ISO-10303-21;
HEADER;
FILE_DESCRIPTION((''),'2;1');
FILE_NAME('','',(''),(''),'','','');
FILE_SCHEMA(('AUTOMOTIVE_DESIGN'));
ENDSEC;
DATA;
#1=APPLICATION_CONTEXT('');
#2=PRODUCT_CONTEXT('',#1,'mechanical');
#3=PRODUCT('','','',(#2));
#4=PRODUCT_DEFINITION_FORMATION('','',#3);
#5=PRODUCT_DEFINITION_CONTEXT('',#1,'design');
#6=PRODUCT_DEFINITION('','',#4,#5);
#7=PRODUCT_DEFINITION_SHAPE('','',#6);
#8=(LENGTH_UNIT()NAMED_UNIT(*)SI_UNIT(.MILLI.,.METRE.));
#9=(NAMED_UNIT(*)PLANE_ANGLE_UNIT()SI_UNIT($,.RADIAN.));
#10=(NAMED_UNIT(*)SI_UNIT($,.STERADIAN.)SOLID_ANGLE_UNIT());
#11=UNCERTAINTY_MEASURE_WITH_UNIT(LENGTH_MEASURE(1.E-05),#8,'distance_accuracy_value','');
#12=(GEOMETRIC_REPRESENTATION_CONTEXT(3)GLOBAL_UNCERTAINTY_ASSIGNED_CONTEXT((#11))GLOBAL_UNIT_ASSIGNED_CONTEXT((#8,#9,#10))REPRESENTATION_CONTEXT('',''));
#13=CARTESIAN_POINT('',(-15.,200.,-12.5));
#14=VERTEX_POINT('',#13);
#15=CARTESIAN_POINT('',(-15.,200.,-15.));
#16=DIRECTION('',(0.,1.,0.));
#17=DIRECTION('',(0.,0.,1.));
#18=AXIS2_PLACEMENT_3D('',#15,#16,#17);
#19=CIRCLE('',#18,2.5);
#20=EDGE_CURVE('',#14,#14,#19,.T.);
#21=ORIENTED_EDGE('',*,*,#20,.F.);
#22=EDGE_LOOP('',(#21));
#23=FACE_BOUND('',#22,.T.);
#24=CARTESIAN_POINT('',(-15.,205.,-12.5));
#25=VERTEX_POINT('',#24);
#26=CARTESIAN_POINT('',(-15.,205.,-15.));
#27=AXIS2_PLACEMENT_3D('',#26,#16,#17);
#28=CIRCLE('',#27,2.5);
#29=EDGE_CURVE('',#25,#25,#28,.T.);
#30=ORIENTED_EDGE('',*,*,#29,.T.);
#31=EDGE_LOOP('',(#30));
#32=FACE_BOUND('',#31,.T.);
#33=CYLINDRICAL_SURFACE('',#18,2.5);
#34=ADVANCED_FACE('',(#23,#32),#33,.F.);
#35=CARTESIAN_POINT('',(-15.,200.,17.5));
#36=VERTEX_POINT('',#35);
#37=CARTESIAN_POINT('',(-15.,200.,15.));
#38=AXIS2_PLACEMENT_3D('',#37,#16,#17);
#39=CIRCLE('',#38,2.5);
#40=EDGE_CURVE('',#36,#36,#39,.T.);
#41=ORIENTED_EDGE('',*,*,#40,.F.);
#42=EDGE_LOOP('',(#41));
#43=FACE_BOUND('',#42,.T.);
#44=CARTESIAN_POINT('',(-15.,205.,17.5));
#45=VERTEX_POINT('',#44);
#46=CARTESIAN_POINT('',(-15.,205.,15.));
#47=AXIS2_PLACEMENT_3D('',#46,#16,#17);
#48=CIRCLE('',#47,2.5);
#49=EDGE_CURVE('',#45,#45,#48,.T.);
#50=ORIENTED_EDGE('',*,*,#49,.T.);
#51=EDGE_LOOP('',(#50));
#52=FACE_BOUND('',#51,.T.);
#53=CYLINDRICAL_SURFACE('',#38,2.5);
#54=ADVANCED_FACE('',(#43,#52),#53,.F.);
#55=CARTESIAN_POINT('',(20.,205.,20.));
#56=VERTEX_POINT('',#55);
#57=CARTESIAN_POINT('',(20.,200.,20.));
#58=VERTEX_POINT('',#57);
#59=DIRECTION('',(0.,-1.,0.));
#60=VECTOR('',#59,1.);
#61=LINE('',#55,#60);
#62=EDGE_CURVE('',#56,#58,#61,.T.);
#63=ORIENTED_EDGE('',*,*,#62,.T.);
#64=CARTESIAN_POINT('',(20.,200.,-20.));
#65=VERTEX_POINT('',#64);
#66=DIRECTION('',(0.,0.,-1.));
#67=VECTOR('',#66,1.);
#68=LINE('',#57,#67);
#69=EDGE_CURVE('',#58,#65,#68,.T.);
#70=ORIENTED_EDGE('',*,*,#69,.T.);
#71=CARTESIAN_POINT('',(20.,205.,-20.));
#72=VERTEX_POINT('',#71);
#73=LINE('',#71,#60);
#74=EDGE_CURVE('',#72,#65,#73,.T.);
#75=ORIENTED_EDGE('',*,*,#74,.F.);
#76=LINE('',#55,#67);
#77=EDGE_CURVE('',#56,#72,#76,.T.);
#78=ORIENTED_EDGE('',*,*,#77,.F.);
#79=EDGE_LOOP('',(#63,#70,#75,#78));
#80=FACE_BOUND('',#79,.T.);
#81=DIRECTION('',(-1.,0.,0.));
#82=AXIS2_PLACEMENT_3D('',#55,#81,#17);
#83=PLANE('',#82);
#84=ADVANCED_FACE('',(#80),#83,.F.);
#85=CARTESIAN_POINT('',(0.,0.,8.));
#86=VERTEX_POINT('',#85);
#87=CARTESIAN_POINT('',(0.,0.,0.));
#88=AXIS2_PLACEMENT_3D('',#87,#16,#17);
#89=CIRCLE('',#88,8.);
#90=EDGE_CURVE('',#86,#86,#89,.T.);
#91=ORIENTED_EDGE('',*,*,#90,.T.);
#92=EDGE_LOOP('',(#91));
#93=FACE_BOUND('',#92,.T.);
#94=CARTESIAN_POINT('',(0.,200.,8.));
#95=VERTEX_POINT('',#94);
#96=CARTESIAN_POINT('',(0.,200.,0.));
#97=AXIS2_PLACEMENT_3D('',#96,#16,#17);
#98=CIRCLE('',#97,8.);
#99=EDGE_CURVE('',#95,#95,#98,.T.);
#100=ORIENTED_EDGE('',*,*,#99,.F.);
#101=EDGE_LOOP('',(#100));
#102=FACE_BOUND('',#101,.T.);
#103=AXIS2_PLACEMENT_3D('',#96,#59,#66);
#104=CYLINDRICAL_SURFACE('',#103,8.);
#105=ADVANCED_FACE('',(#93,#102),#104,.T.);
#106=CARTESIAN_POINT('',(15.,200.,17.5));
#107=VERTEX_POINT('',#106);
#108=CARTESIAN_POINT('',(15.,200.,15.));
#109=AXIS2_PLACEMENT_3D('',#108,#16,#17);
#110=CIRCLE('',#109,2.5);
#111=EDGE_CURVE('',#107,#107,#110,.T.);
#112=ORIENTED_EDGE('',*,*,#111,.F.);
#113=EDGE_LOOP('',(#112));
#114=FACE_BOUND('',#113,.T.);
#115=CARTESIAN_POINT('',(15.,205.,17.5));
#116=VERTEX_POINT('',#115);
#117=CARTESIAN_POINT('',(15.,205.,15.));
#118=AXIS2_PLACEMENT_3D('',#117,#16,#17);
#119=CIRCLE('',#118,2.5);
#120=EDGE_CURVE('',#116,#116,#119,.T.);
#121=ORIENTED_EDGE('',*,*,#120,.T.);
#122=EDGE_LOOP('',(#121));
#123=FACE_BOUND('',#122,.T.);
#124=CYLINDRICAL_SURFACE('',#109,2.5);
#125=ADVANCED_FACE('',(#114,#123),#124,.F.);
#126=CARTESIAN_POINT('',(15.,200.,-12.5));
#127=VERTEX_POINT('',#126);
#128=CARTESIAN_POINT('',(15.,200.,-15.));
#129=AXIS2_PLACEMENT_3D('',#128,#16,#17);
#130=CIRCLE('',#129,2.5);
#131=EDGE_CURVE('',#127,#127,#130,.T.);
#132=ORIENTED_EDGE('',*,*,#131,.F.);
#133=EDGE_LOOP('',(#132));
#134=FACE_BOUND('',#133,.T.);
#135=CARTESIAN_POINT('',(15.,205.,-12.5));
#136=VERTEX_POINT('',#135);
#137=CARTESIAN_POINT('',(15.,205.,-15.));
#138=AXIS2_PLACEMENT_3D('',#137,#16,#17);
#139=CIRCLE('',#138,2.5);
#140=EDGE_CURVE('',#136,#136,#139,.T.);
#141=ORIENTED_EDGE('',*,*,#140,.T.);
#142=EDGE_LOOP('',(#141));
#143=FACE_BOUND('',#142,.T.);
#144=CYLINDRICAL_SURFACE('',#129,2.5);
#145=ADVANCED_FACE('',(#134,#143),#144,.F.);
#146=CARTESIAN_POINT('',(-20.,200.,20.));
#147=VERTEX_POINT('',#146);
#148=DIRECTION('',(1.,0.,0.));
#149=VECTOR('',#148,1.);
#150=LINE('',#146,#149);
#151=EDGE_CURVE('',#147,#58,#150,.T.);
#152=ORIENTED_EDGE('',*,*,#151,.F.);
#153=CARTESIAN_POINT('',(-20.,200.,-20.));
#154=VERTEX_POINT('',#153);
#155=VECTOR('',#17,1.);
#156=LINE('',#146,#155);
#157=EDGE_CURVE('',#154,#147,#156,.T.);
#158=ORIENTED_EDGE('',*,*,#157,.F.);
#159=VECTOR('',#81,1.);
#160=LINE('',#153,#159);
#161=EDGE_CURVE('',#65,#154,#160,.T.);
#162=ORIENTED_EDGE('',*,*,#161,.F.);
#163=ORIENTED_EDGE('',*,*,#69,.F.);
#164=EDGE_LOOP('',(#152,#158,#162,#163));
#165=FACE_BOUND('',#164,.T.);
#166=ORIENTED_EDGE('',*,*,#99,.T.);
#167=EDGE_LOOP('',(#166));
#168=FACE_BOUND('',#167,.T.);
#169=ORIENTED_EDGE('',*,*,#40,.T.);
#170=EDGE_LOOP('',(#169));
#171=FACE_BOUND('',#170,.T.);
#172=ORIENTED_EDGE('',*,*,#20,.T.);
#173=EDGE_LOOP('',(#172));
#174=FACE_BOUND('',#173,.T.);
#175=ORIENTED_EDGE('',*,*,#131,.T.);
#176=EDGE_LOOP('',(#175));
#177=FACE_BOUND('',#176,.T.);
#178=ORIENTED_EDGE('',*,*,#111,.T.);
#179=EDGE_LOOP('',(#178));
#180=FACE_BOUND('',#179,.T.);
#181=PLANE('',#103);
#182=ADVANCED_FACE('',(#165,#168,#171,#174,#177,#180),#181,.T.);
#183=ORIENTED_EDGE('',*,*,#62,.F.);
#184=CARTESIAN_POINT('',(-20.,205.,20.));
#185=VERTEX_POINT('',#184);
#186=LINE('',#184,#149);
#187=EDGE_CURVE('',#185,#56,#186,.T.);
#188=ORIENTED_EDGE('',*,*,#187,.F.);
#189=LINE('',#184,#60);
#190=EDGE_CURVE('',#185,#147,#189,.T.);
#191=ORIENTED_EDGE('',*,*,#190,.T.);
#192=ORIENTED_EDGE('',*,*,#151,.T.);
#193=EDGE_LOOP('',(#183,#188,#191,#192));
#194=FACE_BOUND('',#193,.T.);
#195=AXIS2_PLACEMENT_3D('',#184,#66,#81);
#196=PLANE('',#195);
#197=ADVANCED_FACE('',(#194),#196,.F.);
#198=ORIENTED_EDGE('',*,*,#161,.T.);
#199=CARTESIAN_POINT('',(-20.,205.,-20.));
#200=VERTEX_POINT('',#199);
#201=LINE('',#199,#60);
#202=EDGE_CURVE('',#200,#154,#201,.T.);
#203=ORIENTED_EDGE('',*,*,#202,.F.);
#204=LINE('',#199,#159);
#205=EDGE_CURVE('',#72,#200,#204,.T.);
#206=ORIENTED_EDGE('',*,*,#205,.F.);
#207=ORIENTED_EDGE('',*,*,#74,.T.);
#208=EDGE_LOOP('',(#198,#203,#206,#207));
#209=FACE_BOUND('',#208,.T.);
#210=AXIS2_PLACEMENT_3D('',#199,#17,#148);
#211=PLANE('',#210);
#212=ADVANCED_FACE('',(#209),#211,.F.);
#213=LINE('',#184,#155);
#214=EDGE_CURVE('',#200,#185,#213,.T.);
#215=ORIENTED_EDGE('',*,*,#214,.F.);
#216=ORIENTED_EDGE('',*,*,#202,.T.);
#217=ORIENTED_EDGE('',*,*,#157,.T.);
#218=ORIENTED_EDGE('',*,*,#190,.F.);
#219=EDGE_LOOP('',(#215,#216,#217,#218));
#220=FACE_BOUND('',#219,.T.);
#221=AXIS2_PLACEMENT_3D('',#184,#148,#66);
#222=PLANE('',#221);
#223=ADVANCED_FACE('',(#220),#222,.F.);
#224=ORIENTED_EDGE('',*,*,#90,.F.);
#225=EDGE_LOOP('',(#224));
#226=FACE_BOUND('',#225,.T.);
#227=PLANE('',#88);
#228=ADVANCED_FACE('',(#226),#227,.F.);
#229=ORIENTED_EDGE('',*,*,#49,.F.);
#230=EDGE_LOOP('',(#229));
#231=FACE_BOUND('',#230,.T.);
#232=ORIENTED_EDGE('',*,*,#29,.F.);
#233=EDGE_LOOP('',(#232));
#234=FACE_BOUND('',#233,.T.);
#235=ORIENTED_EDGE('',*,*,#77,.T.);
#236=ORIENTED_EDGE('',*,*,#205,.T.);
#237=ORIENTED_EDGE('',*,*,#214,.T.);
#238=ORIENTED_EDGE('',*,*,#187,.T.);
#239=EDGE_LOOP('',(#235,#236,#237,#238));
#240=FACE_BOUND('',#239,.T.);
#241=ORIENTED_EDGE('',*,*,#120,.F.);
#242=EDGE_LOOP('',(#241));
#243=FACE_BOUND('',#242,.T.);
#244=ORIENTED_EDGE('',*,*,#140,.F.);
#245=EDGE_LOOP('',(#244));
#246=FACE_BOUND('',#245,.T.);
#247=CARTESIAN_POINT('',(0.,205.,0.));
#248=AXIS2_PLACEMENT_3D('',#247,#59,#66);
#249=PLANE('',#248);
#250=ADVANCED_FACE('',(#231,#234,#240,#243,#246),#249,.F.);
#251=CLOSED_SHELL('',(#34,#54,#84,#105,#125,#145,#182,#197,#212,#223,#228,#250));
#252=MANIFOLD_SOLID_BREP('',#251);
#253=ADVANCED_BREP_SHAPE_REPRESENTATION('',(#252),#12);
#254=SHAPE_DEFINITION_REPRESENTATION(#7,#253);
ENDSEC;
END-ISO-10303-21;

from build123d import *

# Parameters (mm, degrees)
SKETCH_1_R          = 8
EXTRUDE_1_DEPTH     = 200
SKETCH_2_W          = 40
SKETCH_2_H          = 40
EXTRUDE_2_DEPTH     = 5
SKETCH_3_R          = 2.5
CUT_EXTRUDE_1_DEPTH = 5


with BuildPart() as part:
    # 草图1 → 凸台-拉伸1 (new body)
    with BuildSketch(Plane(origin=(0, 0, 0), x_dir=(1, 0, 0), z_dir=(0, 1, 0))):
        with Locations(Location((0, 0, 0), (0, 0, 270))):
            Circle(SKETCH_1_R)
    extrude(amount=EXTRUDE_1_DEPTH)

    # 草图2 → 凸台-拉伸2 (add)
    with BuildSketch(Plane(origin=(0, 200, 0), x_dir=(1, 0, 0), z_dir=(0, 1, 0))):
        Rectangle(SKETCH_2_W, SKETCH_2_H)
    extrude(amount=EXTRUDE_2_DEPTH)

    # 草图3 → 切除-拉伸1 (cut)
    with BuildSketch(Plane(origin=(0, 205, 0), x_dir=(1, 0, 0), z_dir=(0, 1, 0))):
        with Locations(Location((-15, 15, 0), (0, 0, 270))):
            Circle(SKETCH_3_R)
        with Locations(Location((15, 15, 0), (0, 0, 270))):
            Circle(SKETCH_3_R)
        with Locations(Location((15, -15, 0), (0, 0, 270))):
            Circle(SKETCH_3_R)
        with Locations(Location((-15, -15, 0), (0, 0, 270))):
            Circle(SKETCH_3_R)
    extrude(amount=-CUT_EXTRUDE_1_DEPTH, mode=Mode.SUBTRACT)


solid = part.part
